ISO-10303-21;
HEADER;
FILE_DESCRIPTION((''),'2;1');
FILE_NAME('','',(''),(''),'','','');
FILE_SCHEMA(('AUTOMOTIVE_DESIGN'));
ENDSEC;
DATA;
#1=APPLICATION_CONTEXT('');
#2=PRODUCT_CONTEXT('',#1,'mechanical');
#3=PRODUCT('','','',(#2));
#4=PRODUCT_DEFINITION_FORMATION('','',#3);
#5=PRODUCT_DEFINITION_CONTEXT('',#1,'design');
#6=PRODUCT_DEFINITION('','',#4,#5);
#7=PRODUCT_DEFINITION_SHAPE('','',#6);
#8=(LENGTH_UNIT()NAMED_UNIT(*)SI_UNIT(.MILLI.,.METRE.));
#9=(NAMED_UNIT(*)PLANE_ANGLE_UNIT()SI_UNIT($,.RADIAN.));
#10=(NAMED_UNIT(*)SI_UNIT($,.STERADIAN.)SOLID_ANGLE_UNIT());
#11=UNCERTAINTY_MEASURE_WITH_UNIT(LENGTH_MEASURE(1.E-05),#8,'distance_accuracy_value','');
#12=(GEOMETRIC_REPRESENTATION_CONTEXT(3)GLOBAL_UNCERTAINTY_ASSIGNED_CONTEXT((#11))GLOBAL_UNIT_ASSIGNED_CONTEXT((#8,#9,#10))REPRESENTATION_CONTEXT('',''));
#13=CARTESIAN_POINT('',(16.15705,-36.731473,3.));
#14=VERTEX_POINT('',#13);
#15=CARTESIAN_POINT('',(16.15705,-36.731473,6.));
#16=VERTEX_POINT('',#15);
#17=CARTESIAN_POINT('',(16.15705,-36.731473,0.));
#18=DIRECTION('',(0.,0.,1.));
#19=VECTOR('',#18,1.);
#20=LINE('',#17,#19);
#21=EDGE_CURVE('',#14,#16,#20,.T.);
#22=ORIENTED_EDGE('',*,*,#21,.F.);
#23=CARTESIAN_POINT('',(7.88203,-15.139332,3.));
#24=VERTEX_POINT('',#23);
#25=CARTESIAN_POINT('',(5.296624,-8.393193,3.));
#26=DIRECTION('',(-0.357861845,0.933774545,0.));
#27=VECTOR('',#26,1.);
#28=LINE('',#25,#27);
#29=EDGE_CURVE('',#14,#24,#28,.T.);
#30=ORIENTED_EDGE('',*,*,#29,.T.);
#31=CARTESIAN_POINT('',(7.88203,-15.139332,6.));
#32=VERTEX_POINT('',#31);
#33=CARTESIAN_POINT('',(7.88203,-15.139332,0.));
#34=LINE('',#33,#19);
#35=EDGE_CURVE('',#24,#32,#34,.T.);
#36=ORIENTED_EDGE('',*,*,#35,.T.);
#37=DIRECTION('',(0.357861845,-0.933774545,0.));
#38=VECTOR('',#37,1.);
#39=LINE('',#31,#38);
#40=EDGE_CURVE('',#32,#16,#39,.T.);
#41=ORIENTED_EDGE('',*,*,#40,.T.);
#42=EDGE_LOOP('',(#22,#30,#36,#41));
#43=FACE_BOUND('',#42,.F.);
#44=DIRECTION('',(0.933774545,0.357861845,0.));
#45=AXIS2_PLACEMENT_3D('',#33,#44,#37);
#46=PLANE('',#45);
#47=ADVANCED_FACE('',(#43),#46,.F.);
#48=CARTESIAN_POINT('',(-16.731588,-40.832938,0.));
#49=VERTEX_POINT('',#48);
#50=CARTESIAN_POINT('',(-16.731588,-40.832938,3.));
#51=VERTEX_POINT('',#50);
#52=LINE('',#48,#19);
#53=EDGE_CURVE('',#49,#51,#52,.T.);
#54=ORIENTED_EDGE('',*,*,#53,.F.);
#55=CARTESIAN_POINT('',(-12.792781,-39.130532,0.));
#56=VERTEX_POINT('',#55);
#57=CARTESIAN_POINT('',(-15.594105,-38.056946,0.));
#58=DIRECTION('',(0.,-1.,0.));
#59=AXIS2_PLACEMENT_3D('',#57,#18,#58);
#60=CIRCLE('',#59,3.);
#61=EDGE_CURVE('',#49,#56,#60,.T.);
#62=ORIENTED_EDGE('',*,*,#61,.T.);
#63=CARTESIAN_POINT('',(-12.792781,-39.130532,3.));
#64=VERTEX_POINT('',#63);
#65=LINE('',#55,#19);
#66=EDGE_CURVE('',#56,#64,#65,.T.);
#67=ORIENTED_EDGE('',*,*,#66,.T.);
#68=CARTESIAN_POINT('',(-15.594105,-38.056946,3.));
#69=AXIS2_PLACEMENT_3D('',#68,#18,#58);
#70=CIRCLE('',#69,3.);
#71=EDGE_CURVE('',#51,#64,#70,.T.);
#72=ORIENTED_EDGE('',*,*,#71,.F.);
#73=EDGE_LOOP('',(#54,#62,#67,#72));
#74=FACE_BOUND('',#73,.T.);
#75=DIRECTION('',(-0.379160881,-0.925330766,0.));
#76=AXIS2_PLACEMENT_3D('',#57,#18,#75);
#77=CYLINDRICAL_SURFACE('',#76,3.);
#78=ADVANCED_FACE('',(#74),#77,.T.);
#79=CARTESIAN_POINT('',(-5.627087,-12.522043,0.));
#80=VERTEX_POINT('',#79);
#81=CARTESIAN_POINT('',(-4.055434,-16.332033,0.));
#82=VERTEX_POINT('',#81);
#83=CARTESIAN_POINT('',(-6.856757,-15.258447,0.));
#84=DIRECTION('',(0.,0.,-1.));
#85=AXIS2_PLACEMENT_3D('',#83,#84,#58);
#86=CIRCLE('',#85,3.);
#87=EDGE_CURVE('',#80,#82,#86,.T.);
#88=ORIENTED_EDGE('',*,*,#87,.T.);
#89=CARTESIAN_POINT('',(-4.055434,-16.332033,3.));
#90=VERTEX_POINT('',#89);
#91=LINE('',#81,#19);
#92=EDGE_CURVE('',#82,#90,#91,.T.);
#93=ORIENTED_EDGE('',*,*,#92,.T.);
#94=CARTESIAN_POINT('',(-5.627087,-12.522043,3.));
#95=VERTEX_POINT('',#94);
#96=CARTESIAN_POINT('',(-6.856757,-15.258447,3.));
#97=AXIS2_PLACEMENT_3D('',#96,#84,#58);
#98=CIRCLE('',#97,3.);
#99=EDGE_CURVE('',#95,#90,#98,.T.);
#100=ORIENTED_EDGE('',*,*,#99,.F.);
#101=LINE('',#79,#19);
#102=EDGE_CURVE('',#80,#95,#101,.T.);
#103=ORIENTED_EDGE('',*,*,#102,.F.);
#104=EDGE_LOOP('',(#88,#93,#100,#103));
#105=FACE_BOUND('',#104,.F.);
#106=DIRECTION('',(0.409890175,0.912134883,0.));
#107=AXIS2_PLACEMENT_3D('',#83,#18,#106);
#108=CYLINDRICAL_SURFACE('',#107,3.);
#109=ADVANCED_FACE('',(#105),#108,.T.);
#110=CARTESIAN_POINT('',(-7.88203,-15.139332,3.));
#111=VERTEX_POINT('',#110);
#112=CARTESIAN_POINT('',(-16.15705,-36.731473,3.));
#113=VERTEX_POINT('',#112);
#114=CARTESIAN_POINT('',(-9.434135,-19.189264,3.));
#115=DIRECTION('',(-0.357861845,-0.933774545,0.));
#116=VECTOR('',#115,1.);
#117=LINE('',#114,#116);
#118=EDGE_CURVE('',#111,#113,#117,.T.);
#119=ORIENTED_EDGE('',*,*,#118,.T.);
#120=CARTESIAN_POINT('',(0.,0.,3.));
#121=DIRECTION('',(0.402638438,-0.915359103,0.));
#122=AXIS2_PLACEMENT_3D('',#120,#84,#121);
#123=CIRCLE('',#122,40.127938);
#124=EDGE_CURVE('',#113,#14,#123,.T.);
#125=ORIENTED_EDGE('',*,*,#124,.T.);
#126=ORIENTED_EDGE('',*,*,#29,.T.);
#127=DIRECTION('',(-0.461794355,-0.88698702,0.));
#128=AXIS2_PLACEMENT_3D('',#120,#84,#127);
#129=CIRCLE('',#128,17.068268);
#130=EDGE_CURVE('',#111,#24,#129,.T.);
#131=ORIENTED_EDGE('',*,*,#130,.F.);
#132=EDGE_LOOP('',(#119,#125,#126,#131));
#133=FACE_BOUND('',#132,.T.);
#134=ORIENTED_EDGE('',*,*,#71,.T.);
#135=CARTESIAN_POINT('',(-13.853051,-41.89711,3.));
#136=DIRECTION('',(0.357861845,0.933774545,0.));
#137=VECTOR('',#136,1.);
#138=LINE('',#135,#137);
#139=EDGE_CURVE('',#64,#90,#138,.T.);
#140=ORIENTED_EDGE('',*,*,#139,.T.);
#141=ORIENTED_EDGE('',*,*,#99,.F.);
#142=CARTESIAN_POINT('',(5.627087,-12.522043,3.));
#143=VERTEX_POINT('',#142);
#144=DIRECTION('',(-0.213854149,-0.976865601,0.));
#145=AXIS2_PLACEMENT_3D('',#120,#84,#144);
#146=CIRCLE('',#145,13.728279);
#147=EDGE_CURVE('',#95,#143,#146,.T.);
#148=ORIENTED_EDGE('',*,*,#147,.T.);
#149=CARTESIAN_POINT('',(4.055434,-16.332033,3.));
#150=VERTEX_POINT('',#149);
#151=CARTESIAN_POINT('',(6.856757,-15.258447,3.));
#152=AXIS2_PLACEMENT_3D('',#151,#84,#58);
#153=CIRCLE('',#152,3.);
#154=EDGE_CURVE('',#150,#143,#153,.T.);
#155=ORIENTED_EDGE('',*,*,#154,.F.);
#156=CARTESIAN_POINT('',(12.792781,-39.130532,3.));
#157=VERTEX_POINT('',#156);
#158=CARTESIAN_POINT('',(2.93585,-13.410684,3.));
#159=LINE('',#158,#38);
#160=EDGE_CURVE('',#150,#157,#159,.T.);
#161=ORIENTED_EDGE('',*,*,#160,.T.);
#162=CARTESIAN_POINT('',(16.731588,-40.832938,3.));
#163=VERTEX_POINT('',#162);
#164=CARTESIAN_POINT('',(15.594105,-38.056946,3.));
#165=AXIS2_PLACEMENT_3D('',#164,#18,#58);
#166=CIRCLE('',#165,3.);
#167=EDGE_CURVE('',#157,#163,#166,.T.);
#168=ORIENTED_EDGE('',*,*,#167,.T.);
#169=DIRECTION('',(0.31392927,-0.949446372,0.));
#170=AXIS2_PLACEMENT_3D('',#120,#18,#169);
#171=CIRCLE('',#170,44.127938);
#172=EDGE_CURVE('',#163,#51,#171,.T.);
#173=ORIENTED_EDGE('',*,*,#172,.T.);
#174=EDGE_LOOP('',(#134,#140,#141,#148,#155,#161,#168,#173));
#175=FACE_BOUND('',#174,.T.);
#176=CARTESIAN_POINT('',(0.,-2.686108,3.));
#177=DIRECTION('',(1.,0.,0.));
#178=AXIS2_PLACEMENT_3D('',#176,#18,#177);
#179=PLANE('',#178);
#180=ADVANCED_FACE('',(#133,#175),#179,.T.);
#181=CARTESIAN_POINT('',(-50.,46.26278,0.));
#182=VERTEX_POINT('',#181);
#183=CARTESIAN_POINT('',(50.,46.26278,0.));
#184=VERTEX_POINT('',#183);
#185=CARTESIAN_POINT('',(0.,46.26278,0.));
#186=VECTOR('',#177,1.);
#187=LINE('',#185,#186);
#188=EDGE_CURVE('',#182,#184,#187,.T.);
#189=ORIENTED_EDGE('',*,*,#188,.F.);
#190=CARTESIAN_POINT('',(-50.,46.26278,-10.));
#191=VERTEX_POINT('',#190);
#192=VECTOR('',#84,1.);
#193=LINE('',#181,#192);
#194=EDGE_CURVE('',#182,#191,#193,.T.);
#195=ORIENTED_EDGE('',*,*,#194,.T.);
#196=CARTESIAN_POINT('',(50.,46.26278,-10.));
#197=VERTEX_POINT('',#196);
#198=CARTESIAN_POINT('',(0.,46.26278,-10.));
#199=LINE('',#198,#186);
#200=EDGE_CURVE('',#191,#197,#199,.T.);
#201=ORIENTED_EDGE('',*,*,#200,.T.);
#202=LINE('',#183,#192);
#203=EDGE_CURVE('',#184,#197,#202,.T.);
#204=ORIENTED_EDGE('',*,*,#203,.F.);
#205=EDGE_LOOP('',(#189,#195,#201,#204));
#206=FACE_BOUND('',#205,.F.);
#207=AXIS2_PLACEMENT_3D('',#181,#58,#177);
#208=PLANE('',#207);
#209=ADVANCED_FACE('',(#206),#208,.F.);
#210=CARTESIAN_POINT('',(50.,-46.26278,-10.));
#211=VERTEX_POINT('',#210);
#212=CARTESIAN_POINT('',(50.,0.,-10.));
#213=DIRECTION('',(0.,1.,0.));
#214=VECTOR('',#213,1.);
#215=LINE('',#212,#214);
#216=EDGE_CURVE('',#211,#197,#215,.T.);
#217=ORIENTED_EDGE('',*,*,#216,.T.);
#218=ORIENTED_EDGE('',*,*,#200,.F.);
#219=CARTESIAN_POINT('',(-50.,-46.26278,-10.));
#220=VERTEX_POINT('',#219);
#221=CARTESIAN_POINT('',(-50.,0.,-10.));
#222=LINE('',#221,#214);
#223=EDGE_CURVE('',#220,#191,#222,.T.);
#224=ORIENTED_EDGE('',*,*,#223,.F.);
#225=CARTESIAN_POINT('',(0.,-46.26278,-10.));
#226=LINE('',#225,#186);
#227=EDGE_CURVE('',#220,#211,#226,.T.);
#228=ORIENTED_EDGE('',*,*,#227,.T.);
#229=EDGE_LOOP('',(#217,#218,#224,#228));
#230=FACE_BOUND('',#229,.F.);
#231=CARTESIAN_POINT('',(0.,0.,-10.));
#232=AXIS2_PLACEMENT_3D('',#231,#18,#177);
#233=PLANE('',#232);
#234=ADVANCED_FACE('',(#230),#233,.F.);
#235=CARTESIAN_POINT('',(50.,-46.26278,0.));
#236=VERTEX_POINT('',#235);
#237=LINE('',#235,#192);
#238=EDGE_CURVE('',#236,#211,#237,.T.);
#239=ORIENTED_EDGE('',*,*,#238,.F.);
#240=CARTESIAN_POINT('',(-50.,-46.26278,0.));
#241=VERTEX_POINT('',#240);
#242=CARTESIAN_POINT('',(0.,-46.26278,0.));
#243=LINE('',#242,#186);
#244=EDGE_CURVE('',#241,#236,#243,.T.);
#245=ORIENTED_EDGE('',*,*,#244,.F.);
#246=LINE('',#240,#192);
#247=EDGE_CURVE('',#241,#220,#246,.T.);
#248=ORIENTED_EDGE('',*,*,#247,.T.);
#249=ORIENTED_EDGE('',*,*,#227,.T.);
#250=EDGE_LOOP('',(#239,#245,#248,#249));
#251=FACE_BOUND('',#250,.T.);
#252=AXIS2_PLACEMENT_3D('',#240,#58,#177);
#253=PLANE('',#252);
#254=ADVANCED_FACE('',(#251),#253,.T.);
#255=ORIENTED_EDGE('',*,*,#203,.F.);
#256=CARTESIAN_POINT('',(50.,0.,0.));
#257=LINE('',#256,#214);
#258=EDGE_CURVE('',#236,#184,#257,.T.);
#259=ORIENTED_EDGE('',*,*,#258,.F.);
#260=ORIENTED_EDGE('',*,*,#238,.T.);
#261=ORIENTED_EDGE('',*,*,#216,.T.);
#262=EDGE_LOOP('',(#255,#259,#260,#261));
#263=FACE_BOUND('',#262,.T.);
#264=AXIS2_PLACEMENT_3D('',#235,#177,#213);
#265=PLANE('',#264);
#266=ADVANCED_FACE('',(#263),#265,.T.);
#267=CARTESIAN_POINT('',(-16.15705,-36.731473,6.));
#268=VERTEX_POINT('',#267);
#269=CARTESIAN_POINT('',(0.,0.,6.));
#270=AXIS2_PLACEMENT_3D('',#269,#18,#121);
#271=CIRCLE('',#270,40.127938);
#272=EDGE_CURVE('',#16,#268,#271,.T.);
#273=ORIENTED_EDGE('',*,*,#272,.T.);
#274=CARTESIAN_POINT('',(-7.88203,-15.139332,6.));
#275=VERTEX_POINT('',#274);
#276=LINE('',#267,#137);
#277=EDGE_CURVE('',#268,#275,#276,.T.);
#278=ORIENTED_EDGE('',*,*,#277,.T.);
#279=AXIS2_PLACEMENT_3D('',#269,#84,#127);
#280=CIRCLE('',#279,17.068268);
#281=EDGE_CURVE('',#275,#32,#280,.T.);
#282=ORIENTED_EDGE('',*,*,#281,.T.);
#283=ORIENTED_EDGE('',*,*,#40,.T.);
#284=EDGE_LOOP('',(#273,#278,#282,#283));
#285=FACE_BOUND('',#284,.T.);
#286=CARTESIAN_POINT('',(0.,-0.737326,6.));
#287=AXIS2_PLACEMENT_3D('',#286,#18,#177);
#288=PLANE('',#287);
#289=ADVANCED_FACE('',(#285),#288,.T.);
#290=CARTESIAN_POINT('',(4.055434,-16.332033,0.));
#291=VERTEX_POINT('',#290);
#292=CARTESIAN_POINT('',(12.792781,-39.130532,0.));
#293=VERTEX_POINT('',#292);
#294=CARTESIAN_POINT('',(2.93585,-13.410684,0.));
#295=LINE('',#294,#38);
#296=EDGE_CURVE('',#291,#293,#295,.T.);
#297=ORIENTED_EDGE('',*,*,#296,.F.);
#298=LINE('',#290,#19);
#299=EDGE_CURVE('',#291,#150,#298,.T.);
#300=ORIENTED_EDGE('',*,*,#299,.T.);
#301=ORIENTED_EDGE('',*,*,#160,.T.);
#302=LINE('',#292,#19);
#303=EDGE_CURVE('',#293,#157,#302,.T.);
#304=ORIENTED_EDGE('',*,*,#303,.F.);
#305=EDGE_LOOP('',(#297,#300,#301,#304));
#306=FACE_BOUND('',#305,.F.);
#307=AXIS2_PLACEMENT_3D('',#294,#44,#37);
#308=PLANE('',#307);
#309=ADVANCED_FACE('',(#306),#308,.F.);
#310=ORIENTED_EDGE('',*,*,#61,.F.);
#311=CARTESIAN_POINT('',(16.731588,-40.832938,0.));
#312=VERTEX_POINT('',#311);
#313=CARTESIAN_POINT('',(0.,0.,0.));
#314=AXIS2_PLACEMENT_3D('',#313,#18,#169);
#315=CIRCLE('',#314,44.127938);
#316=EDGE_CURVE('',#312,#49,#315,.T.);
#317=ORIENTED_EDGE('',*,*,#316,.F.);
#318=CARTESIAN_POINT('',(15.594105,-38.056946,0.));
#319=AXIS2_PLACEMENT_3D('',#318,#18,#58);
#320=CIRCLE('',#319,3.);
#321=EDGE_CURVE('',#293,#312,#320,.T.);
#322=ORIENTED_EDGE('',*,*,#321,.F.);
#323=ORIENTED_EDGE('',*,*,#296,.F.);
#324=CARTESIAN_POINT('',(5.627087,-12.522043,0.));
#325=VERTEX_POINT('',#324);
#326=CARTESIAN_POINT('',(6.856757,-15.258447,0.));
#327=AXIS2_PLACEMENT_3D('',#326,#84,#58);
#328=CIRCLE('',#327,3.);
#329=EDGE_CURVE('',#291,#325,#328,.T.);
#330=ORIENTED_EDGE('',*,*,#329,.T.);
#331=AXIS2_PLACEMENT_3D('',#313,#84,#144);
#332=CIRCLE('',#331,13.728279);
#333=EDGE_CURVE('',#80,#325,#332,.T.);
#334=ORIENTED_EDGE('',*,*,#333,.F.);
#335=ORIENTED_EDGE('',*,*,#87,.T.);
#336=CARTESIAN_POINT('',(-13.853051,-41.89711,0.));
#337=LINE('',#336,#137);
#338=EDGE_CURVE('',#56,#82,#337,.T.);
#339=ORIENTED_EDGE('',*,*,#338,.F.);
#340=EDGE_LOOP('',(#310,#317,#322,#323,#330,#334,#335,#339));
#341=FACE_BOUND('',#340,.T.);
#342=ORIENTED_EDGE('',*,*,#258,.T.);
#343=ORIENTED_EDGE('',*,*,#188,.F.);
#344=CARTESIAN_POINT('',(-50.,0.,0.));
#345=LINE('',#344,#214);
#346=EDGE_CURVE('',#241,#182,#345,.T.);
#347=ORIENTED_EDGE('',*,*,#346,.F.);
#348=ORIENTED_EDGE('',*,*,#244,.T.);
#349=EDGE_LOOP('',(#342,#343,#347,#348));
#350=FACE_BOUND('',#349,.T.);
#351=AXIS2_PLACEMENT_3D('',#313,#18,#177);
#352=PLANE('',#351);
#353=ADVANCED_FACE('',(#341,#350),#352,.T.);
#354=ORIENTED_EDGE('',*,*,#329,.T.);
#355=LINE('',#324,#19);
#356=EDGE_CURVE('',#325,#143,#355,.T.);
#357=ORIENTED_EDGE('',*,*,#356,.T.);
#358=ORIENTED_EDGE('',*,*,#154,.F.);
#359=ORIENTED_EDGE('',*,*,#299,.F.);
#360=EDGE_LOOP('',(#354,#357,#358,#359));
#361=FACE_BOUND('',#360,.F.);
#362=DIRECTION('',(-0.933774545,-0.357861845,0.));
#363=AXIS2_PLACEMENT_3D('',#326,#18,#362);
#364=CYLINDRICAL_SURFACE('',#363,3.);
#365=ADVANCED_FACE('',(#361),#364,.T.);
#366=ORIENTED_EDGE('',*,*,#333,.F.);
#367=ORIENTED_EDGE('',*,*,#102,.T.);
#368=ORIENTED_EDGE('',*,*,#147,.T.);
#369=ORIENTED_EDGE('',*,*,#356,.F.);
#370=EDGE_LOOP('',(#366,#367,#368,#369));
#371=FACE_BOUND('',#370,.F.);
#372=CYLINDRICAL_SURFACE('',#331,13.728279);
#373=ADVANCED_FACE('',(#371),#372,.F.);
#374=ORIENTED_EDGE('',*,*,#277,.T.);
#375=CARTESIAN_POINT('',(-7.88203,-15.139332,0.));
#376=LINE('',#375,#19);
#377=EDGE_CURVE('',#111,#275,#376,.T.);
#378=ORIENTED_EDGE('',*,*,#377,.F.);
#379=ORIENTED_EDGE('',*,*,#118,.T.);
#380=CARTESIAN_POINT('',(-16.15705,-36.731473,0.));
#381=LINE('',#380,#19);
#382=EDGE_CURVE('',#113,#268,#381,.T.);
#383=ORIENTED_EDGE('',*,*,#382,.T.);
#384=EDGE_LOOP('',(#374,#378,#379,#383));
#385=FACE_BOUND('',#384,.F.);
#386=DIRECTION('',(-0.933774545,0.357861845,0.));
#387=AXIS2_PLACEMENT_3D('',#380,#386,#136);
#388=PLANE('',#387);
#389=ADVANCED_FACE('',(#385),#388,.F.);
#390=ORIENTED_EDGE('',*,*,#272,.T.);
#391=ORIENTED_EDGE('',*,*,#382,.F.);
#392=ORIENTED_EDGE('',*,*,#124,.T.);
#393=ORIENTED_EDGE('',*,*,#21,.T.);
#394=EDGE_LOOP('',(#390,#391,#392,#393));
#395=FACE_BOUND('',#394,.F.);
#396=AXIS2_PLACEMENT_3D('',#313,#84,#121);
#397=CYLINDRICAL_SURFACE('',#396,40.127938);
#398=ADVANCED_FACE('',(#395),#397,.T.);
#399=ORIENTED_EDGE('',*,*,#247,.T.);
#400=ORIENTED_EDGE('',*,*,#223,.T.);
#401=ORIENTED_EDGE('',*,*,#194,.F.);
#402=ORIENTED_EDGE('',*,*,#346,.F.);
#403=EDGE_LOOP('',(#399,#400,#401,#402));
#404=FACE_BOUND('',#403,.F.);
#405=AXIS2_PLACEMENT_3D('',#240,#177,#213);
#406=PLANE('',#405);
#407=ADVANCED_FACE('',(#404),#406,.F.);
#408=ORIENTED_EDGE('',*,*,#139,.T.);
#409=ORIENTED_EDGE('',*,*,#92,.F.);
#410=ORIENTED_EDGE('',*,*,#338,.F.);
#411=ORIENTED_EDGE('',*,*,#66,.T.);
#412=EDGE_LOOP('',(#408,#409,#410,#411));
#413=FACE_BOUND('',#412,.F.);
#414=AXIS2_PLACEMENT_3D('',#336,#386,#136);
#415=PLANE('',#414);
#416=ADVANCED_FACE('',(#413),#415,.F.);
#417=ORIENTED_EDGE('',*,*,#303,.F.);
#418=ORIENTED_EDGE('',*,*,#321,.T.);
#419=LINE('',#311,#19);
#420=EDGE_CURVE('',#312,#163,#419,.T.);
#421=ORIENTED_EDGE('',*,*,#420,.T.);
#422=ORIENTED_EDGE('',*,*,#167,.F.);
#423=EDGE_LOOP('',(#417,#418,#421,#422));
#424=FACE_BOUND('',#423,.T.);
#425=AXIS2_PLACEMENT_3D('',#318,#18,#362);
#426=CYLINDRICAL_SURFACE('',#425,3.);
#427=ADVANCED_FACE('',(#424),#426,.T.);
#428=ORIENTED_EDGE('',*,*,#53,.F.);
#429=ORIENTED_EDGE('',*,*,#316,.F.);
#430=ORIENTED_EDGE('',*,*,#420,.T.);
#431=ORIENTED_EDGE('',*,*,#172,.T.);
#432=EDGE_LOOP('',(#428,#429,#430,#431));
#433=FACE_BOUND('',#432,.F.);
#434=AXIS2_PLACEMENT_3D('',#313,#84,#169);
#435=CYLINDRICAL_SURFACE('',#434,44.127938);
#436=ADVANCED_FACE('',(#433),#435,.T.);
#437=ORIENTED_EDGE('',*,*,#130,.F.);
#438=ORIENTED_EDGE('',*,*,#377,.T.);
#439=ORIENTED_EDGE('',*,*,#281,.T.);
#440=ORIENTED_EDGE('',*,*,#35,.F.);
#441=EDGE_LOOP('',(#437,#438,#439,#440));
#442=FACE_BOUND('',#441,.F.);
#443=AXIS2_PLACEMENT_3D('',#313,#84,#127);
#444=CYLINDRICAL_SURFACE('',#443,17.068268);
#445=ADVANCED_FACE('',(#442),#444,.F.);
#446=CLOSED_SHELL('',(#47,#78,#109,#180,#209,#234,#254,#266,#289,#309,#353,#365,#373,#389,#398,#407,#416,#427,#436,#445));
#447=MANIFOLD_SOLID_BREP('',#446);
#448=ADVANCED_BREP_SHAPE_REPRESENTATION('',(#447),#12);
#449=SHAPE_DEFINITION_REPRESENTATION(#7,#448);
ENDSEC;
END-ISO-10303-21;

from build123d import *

# Parameters (mm, degrees)
F0_W     = 100
F0_H     = 92.5255602876
F1_DEPTH = 10
F2_DEPTH = 3
F3_DEPTH = 6
F4_R     = 3


with BuildPart() as f1:
    # F0 (on Top) → F1 (new body)
    with BuildSketch(Plane.XY):
        Rectangle(F0_W, F0_H)
        with BuildLine():
            ThreePointArc((-13.8530512527, -41.8971102989), (0, 44.1279376406), (13.8530512527, -41.8971102989))
            Line((13.8530512527, -41.8971102989), (2.9358495271, -13.4106839777))
            ThreePointArc((2.9358495271, -13.4106839777), (0, 13.7282794696), (-2.9358495271, -13.4106839777))
            Line((-2.9358495271, -13.4106839777), (-13.8530512527, -41.8971102989))
        make_face(mode=Mode.SUBTRACT)
        with BuildLine():
            Line((2.9358495271, -13.4106839777), (13.8530512527, -41.8971102989))
            ThreePointArc((13.8530512527, -41.8971102989), (0, 44.1279376406), (-13.8530512527, -41.8971102989))
            Line((-13.8530512527, -41.8971102989), (-2.9358495271, -13.4106839777))
            ThreePointArc((-2.9358495271, -13.4106839777), (0, 13.7282794696), (2.9358495271, -13.4106839777))
        make_face()
        with BuildLine():
            ThreePointArc((-16.157050142, -36.7314730169), (0, 40.1279376406), (16.157050142, -36.7314730169))
            Line((16.157050142, -36.7314730169), (7.8820297495, -15.1393320411))
            ThreePointArc((7.8820297495, -15.1393320411), (0, 17.0682678566), (-7.8820297495, -15.1393320411))
            Line((-7.8820297495, -15.1393320411), (-16.157050142, -36.7314730169))
        make_face(mode=Mode.SUBTRACT)
        with BuildLine():
            Line((7.8820297495, -15.1393320411), (16.157050142, -36.7314730169))
            ThreePointArc((16.157050142, -36.7314730169), (0, 40.1279376406), (-16.157050142, -36.7314730169))
            Line((-16.157050142, -36.7314730169), (-7.8820297495, -15.1393320411))
            ThreePointArc((-7.8820297495, -15.1393320411), (0, 17.0682678566), (7.8820297495, -15.1393320411))
        make_face()
    extrude(amount=-F1_DEPTH)

    # F0 (on Top) → F2 (join)
    with BuildSketch(Plane.XY):
        with BuildLine():
            Line((2.9358495271, -13.4106839777), (13.8530512527, -41.8971102989))
            ThreePointArc((13.8530512527, -41.8971102989), (0, 44.1279376406), (-13.8530512527, -41.8971102989))
            Line((-13.8530512527, -41.8971102989), (-2.9358495271, -13.4106839777))
            ThreePointArc((-2.9358495271, -13.4106839777), (0, 13.7282794696), (2.9358495271, -13.4106839777))
        make_face()
        with BuildLine():
            ThreePointArc((-16.157050142, -36.7314730169), (0, 40.1279376406), (16.157050142, -36.7314730169))
            Line((16.157050142, -36.7314730169), (7.8820297495, -15.1393320411))
            ThreePointArc((7.8820297495, -15.1393320411), (0, 17.0682678566), (-7.8820297495, -15.1393320411))
            Line((-7.8820297495, -15.1393320411), (-16.157050142, -36.7314730169))
        make_face(mode=Mode.SUBTRACT)
        with BuildLine():
            Line((7.8820297495, -15.1393320411), (16.157050142, -36.7314730169))
            ThreePointArc((16.157050142, -36.7314730169), (0, 40.1279376406), (-16.157050142, -36.7314730169))
            Line((-16.157050142, -36.7314730169), (-7.8820297495, -15.1393320411))
            ThreePointArc((-7.8820297495, -15.1393320411), (0, 17.0682678566), (7.8820297495, -15.1393320411))
        make_face()
    extrude(amount=F2_DEPTH)

    # F0 (on Top) → F3 (join)
    with BuildSketch(Plane.XY):
        with BuildLine():
            Line((7.8820297495, -15.1393320411), (16.157050142, -36.7314730169))
            ThreePointArc((16.157050142, -36.7314730169), (0, 40.1279376406), (-16.157050142, -36.7314730169))
            Line((-16.157050142, -36.7314730169), (-7.8820297495, -15.1393320411))
            ThreePointArc((-7.8820297495, -15.1393320411), (0, 17.0682678566), (7.8820297495, -15.1393320411))
        make_face()
    extrude(amount=F3_DEPTH)

    # F4
    f4_edges = [f1.edges().sort_by_distance(p)[0] for p in [
        (-2.93585, -13.410684, 1.5),
        (2.93585, -13.410684, 1.5),
        (13.853051, -41.89711, 1.5),
        (-13.853051, -41.89711, 1.5),
    ]]
    fillet(f4_edges, radius=F4_R)


solid = f1.part
